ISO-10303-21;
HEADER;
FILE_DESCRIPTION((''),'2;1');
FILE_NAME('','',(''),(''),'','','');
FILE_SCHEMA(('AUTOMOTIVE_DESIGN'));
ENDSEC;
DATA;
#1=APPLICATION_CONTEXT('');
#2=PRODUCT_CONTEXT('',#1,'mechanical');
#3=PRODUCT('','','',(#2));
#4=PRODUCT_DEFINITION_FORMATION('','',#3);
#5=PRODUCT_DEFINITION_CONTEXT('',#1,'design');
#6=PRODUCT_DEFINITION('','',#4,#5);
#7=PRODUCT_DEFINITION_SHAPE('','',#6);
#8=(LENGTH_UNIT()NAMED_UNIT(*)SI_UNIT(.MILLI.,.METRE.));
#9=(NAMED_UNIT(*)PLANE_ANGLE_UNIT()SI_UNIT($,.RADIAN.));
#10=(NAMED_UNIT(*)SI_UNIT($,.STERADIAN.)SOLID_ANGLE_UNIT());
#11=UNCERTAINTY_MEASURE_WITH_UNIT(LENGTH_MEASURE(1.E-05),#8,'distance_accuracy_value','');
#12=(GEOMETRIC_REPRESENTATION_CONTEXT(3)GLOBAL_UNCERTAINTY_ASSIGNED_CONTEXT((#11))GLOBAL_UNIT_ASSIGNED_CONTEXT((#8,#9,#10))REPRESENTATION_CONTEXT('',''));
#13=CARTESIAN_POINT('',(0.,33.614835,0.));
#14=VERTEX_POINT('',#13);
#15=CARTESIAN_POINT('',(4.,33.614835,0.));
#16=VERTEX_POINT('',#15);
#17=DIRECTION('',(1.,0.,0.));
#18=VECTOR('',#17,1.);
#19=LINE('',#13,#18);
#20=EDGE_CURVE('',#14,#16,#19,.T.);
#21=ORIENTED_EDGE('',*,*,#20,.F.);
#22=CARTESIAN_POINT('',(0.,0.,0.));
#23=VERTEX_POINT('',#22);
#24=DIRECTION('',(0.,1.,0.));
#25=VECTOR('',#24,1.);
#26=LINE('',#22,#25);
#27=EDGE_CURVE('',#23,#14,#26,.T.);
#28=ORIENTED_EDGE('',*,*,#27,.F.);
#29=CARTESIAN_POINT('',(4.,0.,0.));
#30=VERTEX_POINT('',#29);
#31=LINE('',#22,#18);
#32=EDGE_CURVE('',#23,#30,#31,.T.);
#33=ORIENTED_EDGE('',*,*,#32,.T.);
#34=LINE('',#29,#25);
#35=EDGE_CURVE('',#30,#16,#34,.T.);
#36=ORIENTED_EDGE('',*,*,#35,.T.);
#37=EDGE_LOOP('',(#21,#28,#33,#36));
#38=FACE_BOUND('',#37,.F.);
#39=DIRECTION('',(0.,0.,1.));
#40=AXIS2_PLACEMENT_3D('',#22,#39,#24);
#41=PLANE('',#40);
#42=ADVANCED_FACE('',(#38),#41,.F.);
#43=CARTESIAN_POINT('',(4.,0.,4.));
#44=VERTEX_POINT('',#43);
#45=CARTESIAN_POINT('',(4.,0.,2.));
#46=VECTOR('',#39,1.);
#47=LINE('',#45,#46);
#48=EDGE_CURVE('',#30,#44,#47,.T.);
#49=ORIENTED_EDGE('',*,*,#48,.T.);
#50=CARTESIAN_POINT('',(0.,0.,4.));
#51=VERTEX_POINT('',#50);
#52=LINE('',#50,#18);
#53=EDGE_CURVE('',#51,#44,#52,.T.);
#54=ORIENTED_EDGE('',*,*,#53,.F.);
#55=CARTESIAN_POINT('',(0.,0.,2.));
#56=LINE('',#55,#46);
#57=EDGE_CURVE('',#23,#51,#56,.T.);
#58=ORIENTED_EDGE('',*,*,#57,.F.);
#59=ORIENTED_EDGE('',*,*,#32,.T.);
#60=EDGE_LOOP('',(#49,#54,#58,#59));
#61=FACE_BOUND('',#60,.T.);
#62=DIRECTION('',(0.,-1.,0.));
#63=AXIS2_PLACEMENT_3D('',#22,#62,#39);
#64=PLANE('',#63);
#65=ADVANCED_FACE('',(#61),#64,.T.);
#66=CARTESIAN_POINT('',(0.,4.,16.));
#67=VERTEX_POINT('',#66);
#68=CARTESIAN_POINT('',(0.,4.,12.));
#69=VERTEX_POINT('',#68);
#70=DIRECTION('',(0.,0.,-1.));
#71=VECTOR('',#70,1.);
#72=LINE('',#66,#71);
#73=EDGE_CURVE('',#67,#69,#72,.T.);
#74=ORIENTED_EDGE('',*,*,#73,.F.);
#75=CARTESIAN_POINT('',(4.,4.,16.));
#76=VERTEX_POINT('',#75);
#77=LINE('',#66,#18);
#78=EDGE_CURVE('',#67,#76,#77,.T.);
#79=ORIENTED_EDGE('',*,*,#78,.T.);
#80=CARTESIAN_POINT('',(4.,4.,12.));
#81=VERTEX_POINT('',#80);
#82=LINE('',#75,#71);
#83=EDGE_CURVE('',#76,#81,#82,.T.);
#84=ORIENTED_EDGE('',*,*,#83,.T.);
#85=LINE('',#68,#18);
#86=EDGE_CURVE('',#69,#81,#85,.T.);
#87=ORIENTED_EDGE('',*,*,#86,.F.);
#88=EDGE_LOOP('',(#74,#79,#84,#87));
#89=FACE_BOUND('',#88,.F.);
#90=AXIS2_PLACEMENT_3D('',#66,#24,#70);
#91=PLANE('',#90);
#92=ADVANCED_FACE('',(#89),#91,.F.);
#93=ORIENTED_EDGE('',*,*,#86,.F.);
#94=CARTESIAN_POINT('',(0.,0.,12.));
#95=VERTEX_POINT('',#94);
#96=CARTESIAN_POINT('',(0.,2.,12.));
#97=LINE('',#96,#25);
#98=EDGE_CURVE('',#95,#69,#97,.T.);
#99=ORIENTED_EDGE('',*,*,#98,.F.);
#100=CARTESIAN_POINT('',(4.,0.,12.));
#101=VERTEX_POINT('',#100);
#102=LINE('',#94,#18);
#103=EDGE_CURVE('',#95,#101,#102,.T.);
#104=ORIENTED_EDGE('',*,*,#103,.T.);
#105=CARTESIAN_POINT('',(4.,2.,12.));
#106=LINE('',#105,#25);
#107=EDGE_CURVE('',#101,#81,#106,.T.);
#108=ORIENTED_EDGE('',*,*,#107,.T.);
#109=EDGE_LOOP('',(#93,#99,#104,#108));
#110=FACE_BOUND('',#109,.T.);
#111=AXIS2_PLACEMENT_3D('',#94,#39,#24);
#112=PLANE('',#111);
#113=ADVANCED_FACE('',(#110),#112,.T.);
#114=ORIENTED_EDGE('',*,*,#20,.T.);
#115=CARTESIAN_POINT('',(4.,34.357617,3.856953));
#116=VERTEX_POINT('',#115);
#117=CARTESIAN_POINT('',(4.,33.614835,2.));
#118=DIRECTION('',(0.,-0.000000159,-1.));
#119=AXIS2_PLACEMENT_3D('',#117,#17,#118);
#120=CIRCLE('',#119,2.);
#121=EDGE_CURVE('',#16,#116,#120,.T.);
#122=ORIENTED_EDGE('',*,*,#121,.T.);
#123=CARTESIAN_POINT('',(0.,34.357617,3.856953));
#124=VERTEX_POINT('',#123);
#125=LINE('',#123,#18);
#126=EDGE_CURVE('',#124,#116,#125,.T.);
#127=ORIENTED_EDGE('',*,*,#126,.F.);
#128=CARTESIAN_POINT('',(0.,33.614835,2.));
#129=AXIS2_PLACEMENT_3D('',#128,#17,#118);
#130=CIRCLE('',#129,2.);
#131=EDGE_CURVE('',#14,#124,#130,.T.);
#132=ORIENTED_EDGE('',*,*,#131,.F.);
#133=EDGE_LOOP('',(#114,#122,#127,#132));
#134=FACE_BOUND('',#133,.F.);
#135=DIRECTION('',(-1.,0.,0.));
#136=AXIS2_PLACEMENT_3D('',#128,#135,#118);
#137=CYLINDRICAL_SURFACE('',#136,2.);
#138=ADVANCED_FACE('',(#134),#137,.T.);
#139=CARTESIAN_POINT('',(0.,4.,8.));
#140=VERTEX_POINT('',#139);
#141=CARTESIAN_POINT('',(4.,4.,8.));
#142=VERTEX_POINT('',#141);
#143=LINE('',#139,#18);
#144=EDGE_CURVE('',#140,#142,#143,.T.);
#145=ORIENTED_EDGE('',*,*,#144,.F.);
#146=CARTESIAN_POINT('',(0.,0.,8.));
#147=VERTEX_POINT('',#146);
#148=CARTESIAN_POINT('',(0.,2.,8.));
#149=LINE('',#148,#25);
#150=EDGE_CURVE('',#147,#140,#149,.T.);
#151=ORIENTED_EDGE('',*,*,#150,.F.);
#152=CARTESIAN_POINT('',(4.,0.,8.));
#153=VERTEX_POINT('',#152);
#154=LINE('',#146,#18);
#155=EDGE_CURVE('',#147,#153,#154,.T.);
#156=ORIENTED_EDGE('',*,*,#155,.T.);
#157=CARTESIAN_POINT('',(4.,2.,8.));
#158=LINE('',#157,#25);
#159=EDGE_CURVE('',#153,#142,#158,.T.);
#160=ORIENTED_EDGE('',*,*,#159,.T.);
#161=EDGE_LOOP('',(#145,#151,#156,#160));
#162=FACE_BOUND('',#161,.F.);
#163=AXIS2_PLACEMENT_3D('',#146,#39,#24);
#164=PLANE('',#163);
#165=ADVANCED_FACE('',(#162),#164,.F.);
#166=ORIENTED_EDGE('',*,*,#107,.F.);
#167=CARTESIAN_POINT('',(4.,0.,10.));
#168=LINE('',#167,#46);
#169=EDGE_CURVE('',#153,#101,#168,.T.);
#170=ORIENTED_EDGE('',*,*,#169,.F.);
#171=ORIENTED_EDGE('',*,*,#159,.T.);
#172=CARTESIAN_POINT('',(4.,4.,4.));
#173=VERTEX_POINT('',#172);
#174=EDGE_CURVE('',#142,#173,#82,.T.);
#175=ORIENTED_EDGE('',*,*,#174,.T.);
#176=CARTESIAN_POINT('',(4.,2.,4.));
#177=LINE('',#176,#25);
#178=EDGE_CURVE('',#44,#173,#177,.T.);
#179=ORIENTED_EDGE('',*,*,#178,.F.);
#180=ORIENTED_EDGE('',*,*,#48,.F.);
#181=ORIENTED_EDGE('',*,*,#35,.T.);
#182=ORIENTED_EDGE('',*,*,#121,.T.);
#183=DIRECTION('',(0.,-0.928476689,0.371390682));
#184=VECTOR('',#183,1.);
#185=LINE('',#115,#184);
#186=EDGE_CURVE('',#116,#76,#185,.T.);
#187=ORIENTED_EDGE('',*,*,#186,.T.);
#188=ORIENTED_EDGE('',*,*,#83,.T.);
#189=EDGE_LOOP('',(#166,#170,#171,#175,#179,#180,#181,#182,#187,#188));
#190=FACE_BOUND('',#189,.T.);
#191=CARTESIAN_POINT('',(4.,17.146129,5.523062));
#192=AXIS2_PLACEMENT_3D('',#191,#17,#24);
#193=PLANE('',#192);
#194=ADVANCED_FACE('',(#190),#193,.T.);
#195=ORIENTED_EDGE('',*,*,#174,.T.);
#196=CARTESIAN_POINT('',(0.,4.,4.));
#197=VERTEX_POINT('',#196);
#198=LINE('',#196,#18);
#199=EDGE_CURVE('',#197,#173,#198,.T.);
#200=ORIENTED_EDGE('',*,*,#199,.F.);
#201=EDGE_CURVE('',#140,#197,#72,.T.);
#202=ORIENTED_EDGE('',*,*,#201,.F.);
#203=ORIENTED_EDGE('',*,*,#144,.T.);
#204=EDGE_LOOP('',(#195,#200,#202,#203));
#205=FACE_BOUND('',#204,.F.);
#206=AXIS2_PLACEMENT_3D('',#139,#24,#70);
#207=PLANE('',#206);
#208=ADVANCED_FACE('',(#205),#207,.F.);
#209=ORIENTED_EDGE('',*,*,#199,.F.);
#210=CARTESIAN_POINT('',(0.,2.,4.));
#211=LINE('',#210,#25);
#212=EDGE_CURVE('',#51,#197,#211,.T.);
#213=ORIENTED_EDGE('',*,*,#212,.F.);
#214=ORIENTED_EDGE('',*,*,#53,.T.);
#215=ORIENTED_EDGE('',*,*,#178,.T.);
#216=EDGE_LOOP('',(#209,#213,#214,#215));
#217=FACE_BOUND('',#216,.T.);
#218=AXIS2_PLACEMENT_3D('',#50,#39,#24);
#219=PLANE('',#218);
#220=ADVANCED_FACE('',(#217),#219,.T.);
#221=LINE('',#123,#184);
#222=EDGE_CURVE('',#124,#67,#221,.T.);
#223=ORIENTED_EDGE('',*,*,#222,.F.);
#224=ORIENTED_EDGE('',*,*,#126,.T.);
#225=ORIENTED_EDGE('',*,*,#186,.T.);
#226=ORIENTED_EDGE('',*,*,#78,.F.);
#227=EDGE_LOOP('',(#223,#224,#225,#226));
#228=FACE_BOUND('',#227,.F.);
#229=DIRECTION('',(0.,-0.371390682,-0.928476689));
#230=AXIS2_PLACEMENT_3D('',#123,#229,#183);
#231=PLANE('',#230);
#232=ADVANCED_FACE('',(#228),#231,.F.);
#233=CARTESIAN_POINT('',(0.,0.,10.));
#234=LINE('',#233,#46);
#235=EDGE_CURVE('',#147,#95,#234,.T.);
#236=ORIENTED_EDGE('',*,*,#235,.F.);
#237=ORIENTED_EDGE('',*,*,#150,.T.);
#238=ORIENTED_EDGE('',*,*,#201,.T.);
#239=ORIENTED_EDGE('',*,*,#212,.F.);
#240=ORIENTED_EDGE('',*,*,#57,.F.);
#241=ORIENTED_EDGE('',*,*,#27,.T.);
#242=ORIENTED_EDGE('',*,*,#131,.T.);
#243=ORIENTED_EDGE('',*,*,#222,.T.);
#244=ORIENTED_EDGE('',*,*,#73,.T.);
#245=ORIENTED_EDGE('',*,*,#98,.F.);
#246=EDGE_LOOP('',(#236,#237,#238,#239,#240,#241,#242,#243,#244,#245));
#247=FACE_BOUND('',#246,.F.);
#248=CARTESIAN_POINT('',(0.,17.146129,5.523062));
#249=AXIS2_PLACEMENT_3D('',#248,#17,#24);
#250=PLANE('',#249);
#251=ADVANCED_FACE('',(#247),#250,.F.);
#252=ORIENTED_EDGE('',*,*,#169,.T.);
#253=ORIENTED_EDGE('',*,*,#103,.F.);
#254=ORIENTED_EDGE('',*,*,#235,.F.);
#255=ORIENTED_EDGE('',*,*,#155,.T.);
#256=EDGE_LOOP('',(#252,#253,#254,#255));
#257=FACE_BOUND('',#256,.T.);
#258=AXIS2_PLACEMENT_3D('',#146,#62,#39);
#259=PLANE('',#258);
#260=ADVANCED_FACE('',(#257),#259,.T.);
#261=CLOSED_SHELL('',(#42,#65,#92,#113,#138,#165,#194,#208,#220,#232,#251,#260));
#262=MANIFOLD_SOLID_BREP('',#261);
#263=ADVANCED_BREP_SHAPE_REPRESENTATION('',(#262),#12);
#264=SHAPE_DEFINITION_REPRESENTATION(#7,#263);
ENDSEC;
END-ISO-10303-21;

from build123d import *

# Parameters (mm, degrees)
F0_W     = 4
F0_H     = 4
F1_DEPTH = 4


with BuildPart() as f1:
    # F0 (on Right) → F1 (new body)
    with BuildSketch(Plane.YZ):
        with BuildLine():
            Line((4, 4), (4, 0))
            Line((4, 0), (33.614835, 0))
            ThreePointArc((33.614835, 0), (35.578748, 1.621785), (34.357617, 3.856953))
            Line((34.357617, 3.856953), (4, 16))
            Line((4, 16), (4, 12))
            Line((4, 12), (4, 8))
            Line((4, 8), (4, 4))
        make_face()
        with Locations((2, 10)):
            Rectangle(F0_W, F0_H)
        with Locations((2, 2)):
            Rectangle(F0_W, F0_H)
    extrude(amount=F1_DEPTH)


solid = f1.part
